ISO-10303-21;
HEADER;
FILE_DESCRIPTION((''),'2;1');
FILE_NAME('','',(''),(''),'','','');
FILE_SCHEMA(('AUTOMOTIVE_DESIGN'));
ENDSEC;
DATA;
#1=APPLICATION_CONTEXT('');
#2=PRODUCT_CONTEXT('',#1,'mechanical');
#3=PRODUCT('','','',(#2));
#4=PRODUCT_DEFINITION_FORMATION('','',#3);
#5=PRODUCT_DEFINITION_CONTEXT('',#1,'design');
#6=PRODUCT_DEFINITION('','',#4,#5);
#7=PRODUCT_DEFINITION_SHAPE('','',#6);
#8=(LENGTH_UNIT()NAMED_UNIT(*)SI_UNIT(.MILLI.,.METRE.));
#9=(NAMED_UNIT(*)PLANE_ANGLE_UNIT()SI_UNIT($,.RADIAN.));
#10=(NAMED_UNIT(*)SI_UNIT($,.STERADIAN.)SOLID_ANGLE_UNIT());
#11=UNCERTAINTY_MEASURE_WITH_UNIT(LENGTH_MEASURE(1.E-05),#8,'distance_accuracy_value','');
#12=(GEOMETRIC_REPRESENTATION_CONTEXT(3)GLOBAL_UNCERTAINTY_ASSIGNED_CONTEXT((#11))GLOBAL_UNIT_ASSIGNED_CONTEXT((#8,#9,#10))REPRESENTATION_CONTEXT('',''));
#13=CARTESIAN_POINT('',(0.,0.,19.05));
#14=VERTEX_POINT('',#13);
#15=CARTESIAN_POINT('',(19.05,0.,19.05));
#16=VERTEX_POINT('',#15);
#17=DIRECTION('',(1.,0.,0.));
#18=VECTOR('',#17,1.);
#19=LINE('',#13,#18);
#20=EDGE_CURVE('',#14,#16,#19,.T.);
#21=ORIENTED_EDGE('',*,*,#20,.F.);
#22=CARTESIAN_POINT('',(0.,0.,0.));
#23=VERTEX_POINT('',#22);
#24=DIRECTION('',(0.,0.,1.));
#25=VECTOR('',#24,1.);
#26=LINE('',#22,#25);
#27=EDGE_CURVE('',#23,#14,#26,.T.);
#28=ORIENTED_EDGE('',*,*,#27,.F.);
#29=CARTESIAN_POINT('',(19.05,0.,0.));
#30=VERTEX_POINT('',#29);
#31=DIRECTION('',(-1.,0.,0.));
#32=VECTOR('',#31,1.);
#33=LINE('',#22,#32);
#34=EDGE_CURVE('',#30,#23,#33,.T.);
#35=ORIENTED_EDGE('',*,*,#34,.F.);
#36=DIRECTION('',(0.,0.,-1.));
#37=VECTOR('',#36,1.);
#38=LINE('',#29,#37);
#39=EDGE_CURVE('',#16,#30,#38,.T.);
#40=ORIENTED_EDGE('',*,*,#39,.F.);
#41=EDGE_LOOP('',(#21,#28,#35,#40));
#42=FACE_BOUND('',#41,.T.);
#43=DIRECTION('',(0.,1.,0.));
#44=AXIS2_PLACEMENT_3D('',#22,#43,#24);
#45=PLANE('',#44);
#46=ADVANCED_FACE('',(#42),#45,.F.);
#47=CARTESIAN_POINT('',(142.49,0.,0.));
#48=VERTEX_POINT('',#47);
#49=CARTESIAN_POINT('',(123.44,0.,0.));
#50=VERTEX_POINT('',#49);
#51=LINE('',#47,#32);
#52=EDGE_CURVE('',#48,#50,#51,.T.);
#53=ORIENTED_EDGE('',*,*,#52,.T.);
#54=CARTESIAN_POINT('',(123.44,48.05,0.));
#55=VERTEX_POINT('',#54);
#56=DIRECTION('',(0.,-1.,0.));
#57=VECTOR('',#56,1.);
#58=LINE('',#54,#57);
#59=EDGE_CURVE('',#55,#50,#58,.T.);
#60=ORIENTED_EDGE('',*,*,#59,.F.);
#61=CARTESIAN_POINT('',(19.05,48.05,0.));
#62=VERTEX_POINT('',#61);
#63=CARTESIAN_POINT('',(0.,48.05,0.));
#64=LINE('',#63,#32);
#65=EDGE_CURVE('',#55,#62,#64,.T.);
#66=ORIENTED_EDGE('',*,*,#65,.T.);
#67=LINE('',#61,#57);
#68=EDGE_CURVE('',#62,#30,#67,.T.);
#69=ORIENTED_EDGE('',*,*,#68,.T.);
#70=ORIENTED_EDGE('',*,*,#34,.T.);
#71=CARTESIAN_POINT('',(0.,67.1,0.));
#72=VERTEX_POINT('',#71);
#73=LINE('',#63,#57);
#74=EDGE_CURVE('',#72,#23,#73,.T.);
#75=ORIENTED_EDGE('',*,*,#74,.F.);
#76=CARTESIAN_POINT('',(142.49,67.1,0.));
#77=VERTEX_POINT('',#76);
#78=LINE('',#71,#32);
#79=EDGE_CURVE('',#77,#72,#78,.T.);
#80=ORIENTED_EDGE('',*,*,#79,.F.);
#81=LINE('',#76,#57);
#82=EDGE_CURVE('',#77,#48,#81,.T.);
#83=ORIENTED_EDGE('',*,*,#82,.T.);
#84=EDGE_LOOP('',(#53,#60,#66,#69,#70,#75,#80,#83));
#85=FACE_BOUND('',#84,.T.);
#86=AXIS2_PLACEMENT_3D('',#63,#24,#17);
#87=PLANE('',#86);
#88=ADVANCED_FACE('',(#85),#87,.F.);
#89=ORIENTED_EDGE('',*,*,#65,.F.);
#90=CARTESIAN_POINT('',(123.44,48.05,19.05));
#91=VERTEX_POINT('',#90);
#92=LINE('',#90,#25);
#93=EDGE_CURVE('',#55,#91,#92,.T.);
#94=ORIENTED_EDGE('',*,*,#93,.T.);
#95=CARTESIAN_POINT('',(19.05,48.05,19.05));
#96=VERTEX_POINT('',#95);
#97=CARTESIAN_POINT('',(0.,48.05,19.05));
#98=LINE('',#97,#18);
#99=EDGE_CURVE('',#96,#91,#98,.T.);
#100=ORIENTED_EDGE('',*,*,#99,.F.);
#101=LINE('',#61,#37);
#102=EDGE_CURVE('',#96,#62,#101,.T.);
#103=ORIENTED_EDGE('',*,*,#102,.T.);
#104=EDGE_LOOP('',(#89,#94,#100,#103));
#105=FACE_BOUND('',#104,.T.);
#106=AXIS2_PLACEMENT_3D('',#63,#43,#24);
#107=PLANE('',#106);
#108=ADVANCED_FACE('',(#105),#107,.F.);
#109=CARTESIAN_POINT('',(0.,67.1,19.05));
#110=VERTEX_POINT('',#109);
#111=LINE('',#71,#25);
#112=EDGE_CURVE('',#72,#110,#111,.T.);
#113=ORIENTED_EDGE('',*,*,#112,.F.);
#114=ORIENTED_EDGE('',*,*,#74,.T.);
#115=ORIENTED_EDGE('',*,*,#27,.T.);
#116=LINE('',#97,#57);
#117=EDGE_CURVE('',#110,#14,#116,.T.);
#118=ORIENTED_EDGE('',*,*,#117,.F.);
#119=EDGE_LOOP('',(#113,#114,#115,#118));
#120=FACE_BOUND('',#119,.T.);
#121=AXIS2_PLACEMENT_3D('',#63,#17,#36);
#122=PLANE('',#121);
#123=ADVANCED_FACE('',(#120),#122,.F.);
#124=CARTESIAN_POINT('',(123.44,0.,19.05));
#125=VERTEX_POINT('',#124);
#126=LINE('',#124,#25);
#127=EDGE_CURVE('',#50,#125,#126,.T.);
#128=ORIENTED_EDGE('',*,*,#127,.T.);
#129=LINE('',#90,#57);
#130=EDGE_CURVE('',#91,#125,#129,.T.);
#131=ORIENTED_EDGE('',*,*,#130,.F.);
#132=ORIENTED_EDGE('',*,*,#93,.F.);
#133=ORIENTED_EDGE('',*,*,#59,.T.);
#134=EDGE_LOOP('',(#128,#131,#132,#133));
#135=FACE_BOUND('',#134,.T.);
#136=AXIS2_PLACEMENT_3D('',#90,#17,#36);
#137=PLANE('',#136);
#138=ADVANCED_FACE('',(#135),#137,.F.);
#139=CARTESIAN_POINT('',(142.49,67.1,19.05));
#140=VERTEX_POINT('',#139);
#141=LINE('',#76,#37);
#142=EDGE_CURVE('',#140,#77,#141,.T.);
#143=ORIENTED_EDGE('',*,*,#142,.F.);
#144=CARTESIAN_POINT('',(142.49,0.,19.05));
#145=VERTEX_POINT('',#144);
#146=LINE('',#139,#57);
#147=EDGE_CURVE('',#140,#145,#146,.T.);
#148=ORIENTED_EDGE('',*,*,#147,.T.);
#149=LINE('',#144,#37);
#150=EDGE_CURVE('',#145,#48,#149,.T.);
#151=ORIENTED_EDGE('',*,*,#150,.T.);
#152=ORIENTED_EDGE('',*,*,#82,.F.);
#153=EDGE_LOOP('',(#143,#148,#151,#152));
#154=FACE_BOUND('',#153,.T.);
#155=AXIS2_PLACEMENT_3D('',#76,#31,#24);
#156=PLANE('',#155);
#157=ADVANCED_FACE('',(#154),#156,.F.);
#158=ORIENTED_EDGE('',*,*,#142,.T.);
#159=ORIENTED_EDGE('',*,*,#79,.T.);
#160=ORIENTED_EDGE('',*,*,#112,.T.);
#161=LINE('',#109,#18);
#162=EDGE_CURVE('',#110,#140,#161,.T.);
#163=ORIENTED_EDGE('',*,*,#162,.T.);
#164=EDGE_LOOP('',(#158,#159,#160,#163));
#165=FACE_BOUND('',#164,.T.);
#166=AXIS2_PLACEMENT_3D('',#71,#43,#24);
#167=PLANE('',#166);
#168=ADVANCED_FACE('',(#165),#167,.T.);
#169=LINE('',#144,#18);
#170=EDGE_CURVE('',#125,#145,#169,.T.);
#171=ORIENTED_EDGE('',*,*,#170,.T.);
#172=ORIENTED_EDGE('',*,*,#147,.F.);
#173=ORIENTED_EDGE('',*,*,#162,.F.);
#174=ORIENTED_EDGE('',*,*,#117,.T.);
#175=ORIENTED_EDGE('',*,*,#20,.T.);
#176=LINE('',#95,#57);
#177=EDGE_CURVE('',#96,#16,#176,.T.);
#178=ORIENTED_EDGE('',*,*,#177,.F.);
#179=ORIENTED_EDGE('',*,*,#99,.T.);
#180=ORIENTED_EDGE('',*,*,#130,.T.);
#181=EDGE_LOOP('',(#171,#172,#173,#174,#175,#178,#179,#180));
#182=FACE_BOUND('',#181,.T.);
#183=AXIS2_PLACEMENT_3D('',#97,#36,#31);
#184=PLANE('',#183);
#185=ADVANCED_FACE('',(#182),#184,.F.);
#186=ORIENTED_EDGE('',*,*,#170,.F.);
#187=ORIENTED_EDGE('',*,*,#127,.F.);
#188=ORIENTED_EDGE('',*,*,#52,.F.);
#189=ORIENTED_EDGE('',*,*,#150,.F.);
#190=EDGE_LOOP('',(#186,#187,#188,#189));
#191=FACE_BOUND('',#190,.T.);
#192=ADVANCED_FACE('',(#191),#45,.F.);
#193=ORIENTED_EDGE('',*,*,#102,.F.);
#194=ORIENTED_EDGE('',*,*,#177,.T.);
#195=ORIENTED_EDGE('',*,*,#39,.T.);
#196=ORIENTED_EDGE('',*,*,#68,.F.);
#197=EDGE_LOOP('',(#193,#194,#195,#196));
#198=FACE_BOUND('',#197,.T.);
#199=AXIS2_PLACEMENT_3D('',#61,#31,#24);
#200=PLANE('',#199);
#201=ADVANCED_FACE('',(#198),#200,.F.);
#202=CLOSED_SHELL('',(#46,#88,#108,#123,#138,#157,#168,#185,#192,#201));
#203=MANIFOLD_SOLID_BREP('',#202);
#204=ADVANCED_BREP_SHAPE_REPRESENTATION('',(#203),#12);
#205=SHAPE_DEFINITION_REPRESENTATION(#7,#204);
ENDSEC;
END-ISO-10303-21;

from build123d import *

# Parameters (mm, degrees)
SKETCH2_W             = 19.05
SKETCH2_H             = 19.05
BOSS_EXTRUDE1_DEPTH   = 48.05
BOSS_EXTRUDE1_2_DEPTH = 48.05
SKETCH3_W             = 142.49
SKETCH3_H             = 19.05
BOSS_EXTRUDE2_DEPTH   = 19.05


with BuildPart() as part:
    # Sketch2 → Boss-Extrude1 (new body)
    with BuildSketch(Plane(origin=(0, 0, 0), x_dir=(1, 0, 0), z_dir=(0, 1, 0))):
        with Locations((9.525, -9.525)):
            Rectangle(SKETCH2_W, SKETCH2_H)
    extrude(amount=BOSS_EXTRUDE1_DEPTH)



with BuildPart() as body_2:
    # Sketch2 → Boss-Extrude1 2 (new body)
    with BuildSketch(Plane(origin=(0, 0, 0), x_dir=(1, 0, 0), z_dir=(0, 1, 0))):
        with Locations((132.965, -9.525)):
            Rectangle(SKETCH2_W, SKETCH2_H)
    extrude(amount=BOSS_EXTRUDE1_2_DEPTH)


with BuildPart() as part_1:
    add(part.part)

    add(body_2.part)  # Boss-Extrude2 merges body 2
    # Sketch3 → Boss-Extrude2 (add)
    with BuildSketch(Plane(origin=(0, 48.05, 0), x_dir=(1, 0, 0), z_dir=(0, 1, 0))):
        with Locations((71.245, -9.525)):
            Rectangle(SKETCH3_W, SKETCH3_H)
    extrude(amount=BOSS_EXTRUDE2_DEPTH)


solid = part_1.part
